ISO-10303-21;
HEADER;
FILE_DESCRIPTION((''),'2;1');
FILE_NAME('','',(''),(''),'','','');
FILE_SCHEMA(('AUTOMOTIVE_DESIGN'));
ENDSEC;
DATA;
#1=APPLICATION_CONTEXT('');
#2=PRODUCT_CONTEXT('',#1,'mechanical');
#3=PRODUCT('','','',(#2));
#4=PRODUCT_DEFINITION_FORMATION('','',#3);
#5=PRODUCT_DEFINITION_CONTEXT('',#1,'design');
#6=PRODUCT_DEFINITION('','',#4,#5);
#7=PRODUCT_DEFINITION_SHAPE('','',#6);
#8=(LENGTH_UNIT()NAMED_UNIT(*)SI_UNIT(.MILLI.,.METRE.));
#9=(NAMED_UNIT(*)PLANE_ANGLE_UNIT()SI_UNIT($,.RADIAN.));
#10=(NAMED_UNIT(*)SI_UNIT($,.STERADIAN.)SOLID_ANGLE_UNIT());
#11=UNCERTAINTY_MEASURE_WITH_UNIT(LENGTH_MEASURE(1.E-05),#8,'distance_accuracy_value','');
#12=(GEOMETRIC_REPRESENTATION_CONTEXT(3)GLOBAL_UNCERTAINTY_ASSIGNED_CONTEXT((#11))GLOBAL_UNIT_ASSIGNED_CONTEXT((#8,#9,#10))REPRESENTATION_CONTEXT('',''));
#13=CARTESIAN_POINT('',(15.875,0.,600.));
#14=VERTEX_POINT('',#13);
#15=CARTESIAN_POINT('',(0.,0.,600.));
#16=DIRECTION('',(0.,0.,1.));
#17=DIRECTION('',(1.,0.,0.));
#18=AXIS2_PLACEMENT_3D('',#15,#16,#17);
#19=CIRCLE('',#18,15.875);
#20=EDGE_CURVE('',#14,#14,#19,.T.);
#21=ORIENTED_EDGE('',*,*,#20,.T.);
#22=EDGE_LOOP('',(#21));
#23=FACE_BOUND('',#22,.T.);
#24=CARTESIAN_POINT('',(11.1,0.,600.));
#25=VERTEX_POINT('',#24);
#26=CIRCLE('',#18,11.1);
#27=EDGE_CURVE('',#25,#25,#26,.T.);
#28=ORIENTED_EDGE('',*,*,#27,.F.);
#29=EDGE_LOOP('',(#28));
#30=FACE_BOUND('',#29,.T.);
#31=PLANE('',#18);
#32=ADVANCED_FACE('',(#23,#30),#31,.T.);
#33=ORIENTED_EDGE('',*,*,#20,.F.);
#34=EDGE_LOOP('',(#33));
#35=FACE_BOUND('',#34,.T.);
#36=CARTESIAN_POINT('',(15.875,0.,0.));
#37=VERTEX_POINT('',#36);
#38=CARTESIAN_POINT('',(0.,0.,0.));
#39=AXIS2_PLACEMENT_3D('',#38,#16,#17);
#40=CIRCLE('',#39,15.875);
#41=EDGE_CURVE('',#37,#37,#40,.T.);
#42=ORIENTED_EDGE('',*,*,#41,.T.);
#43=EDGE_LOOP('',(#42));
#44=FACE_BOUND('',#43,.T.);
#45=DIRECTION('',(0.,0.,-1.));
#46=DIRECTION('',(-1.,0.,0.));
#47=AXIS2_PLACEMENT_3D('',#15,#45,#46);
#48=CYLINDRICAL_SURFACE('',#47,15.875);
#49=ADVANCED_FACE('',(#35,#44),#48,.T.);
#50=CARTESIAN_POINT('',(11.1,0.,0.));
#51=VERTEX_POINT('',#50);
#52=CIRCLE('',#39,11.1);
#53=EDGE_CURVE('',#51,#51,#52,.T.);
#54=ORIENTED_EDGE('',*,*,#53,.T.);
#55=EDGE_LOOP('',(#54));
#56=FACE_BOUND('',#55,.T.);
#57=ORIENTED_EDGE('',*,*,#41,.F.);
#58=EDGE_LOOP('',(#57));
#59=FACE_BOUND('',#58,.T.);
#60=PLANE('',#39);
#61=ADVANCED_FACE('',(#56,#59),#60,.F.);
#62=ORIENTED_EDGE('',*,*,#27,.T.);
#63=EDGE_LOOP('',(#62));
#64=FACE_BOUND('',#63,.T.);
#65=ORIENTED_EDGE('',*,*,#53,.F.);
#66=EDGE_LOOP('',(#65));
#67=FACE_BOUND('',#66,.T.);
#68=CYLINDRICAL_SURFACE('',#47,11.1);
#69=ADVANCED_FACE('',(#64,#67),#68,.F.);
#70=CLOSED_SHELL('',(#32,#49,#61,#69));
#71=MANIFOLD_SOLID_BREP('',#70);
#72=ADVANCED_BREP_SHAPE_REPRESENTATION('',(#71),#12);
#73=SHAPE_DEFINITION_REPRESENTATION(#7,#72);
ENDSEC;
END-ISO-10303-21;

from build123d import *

# Parameters (mm, degrees)
SKETCH1_R           = 15.875
SKETCH1_R_2         = 11.1
BOSS_EXTRUDE1_DEPTH = 600


with BuildPart() as part:
    # Sketch1 → Boss-Extrude1 (new body)
    with BuildSketch(Plane(origin=(0, 0, 0), x_dir=(0, 1, 0), z_dir=(0, 0, 1))):
        with Locations(Location((0, 0, 0), (0, 0, 270))):
            Circle(SKETCH1_R)
        with Locations(Location((0, 0, 0), (0, 0, 270))):
            Circle(SKETCH1_R_2, mode=Mode.SUBTRACT)
    extrude(amount=BOSS_EXTRUDE1_DEPTH)


solid = part.part
